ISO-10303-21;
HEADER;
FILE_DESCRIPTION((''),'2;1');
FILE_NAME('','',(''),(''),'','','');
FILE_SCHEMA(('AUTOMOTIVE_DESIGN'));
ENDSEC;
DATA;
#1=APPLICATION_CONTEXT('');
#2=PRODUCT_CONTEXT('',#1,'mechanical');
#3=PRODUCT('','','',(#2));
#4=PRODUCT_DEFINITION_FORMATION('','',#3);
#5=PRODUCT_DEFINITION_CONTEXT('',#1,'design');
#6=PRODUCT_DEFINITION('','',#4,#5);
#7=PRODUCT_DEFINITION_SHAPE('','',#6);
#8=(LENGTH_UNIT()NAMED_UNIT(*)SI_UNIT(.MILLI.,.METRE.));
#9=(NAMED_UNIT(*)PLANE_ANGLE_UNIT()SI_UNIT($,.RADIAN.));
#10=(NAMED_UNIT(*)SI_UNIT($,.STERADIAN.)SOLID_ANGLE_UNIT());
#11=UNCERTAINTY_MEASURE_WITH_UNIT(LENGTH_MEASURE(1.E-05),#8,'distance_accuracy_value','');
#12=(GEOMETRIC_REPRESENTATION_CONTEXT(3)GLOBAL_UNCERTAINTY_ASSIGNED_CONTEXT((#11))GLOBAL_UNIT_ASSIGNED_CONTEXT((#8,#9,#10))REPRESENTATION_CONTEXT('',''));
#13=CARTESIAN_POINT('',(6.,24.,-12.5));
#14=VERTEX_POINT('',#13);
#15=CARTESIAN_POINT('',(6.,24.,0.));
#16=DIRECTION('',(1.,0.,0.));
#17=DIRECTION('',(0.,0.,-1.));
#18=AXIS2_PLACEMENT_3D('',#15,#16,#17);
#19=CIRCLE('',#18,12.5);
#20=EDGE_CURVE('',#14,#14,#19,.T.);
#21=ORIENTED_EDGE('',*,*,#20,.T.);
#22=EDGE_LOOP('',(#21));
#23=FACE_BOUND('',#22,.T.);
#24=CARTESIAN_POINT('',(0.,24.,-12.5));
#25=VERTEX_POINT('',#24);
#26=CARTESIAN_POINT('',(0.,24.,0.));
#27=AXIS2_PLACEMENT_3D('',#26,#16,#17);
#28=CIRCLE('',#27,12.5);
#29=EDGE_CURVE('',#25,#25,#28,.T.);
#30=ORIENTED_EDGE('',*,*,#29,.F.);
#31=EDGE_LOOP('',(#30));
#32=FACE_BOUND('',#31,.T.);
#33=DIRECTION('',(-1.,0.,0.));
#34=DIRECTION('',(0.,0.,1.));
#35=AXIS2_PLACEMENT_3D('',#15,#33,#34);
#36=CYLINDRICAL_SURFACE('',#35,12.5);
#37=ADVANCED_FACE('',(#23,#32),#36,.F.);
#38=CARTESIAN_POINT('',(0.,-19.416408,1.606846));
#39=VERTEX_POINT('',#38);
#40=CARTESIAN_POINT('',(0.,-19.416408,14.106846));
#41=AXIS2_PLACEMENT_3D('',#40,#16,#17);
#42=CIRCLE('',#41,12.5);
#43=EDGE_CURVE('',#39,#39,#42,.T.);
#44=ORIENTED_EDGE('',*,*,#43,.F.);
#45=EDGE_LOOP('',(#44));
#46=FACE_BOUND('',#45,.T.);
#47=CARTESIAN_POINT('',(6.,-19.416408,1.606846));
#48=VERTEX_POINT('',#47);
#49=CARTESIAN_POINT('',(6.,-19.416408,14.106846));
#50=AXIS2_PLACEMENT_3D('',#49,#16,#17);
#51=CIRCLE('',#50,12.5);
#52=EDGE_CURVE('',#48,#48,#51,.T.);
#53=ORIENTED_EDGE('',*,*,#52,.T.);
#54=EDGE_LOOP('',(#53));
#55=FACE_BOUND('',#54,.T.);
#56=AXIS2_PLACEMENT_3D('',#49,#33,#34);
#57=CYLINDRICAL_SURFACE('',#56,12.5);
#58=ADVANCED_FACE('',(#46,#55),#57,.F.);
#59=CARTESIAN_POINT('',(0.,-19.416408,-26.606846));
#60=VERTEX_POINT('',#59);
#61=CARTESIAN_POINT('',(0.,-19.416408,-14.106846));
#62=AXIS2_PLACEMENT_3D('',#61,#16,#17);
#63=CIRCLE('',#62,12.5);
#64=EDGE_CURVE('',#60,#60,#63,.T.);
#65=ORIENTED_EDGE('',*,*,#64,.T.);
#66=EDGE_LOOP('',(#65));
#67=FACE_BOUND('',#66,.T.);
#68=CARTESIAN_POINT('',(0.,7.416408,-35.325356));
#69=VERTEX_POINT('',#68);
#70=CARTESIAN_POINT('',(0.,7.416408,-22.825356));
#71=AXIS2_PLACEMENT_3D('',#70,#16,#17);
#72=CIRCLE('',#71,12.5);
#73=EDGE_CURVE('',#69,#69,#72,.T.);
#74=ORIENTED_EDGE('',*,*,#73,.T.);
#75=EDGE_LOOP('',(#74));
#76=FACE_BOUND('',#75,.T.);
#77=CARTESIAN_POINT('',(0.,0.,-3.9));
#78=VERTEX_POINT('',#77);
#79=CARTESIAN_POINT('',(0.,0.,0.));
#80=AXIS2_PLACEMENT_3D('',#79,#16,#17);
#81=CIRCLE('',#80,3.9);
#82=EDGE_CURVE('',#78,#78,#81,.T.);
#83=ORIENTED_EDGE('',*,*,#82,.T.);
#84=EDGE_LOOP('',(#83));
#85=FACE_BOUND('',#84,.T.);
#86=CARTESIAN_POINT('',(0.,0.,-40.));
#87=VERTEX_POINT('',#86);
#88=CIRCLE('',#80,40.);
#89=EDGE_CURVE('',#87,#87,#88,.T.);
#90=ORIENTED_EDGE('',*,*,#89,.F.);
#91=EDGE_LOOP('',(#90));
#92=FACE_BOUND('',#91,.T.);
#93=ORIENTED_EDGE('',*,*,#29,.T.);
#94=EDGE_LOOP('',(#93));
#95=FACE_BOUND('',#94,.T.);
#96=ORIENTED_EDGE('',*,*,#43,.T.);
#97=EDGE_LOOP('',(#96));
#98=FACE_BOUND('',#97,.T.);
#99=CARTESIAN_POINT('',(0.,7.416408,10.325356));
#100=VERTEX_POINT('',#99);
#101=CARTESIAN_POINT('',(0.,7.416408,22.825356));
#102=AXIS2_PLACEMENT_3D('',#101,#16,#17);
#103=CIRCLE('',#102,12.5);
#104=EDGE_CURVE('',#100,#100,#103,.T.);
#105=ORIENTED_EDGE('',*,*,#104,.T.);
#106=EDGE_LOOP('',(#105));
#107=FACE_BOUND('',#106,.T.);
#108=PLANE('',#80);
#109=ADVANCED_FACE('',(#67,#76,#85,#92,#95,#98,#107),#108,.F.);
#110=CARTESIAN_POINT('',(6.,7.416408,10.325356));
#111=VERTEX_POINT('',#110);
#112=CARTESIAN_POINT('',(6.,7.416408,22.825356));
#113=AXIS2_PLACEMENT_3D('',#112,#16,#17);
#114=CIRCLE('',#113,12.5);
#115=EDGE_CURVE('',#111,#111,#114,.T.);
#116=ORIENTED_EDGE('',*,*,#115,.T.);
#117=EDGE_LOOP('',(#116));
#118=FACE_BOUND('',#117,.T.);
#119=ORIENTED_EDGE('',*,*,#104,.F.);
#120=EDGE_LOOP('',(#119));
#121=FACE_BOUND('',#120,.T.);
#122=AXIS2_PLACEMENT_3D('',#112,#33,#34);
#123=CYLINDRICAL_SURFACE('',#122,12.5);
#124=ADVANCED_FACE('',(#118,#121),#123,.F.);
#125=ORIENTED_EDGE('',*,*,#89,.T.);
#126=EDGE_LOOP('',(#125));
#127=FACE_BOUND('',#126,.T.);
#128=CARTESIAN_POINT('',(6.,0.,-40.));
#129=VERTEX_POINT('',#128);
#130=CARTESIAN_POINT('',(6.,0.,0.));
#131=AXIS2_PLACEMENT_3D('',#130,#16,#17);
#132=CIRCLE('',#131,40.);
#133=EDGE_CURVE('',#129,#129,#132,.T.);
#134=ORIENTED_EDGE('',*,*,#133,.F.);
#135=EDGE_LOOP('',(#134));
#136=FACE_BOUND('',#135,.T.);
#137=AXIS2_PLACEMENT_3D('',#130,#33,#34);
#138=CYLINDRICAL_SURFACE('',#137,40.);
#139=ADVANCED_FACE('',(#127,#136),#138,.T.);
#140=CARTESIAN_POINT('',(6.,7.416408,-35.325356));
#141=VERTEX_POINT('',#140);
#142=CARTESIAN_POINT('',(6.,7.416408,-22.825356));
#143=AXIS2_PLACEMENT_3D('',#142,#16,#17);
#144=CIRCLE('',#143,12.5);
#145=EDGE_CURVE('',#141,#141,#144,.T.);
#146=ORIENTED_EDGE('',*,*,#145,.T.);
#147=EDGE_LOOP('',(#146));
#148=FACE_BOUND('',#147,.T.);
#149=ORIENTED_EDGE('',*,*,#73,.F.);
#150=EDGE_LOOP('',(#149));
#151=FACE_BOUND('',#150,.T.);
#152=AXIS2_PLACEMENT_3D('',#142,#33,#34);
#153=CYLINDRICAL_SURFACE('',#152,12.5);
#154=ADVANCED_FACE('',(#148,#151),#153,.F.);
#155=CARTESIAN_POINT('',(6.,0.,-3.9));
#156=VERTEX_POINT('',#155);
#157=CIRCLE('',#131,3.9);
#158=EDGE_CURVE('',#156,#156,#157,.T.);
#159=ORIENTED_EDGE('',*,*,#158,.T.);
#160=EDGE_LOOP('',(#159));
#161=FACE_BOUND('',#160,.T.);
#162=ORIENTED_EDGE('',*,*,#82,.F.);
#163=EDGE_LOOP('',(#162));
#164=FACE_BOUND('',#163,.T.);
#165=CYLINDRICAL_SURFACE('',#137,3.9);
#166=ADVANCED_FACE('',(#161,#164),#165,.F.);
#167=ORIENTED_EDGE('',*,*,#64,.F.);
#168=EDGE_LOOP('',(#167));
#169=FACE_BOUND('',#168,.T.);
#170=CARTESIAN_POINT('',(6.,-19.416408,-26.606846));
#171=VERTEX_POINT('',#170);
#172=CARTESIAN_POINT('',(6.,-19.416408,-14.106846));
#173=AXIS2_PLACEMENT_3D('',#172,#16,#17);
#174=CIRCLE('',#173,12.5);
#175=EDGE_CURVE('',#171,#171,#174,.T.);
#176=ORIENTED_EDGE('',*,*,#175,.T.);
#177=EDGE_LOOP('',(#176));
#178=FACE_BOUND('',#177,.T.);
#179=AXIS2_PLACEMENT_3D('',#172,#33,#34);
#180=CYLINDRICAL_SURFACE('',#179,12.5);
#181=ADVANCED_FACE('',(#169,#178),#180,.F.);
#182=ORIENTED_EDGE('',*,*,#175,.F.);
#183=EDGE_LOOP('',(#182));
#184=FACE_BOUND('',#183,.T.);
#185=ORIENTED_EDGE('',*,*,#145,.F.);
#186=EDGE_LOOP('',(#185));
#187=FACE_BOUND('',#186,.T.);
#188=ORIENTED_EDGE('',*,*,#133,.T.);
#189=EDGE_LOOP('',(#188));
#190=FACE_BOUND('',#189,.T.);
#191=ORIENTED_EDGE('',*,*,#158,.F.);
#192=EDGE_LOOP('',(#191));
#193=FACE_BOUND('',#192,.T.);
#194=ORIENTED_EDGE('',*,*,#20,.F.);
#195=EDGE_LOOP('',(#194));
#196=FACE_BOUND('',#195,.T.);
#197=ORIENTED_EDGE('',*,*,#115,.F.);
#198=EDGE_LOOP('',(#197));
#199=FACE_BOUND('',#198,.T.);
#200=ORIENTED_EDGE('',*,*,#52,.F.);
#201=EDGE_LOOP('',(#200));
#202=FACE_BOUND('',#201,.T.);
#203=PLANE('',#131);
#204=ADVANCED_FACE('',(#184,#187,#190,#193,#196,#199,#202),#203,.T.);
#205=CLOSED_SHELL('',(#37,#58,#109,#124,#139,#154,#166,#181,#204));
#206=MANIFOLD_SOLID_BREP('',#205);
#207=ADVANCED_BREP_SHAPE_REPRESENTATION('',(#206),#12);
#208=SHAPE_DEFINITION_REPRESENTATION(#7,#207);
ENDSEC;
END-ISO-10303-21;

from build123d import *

# Parameters (mm, degrees)
SKETCH1_R           = 40
SKETCH1_R_2         = 3.9
SKETCH1_R_3         = 12.5
BOSS_EXTRUDE1_DEPTH = 6


with BuildPart() as part:
    # Sketch1 → Boss-Extrude1 (new body)
    with BuildSketch(Plane(origin=(0, 0, 0), x_dir=(0, 0, -1), z_dir=(1, 0, 0))):
        Circle(SKETCH1_R)
        Circle(SKETCH1_R_2, mode=Mode.SUBTRACT)
        with Locations((0, 24)):
            Circle(SKETCH1_R_3, mode=Mode.SUBTRACT)
        with Locations((22.825356391, 7.416407865)):
            Circle(SKETCH1_R_3, mode=Mode.SUBTRACT)
        with Locations((14.106846055, -19.416407865)):
            Circle(SKETCH1_R_3, mode=Mode.SUBTRACT)
        with Locations((-14.106846055, -19.416407865)):
            Circle(SKETCH1_R_3, mode=Mode.SUBTRACT)
        with Locations((-22.825356391, 7.416407865)):
            Circle(SKETCH1_R_3, mode=Mode.SUBTRACT)
    extrude(amount=BOSS_EXTRUDE1_DEPTH)


solid = part.part
